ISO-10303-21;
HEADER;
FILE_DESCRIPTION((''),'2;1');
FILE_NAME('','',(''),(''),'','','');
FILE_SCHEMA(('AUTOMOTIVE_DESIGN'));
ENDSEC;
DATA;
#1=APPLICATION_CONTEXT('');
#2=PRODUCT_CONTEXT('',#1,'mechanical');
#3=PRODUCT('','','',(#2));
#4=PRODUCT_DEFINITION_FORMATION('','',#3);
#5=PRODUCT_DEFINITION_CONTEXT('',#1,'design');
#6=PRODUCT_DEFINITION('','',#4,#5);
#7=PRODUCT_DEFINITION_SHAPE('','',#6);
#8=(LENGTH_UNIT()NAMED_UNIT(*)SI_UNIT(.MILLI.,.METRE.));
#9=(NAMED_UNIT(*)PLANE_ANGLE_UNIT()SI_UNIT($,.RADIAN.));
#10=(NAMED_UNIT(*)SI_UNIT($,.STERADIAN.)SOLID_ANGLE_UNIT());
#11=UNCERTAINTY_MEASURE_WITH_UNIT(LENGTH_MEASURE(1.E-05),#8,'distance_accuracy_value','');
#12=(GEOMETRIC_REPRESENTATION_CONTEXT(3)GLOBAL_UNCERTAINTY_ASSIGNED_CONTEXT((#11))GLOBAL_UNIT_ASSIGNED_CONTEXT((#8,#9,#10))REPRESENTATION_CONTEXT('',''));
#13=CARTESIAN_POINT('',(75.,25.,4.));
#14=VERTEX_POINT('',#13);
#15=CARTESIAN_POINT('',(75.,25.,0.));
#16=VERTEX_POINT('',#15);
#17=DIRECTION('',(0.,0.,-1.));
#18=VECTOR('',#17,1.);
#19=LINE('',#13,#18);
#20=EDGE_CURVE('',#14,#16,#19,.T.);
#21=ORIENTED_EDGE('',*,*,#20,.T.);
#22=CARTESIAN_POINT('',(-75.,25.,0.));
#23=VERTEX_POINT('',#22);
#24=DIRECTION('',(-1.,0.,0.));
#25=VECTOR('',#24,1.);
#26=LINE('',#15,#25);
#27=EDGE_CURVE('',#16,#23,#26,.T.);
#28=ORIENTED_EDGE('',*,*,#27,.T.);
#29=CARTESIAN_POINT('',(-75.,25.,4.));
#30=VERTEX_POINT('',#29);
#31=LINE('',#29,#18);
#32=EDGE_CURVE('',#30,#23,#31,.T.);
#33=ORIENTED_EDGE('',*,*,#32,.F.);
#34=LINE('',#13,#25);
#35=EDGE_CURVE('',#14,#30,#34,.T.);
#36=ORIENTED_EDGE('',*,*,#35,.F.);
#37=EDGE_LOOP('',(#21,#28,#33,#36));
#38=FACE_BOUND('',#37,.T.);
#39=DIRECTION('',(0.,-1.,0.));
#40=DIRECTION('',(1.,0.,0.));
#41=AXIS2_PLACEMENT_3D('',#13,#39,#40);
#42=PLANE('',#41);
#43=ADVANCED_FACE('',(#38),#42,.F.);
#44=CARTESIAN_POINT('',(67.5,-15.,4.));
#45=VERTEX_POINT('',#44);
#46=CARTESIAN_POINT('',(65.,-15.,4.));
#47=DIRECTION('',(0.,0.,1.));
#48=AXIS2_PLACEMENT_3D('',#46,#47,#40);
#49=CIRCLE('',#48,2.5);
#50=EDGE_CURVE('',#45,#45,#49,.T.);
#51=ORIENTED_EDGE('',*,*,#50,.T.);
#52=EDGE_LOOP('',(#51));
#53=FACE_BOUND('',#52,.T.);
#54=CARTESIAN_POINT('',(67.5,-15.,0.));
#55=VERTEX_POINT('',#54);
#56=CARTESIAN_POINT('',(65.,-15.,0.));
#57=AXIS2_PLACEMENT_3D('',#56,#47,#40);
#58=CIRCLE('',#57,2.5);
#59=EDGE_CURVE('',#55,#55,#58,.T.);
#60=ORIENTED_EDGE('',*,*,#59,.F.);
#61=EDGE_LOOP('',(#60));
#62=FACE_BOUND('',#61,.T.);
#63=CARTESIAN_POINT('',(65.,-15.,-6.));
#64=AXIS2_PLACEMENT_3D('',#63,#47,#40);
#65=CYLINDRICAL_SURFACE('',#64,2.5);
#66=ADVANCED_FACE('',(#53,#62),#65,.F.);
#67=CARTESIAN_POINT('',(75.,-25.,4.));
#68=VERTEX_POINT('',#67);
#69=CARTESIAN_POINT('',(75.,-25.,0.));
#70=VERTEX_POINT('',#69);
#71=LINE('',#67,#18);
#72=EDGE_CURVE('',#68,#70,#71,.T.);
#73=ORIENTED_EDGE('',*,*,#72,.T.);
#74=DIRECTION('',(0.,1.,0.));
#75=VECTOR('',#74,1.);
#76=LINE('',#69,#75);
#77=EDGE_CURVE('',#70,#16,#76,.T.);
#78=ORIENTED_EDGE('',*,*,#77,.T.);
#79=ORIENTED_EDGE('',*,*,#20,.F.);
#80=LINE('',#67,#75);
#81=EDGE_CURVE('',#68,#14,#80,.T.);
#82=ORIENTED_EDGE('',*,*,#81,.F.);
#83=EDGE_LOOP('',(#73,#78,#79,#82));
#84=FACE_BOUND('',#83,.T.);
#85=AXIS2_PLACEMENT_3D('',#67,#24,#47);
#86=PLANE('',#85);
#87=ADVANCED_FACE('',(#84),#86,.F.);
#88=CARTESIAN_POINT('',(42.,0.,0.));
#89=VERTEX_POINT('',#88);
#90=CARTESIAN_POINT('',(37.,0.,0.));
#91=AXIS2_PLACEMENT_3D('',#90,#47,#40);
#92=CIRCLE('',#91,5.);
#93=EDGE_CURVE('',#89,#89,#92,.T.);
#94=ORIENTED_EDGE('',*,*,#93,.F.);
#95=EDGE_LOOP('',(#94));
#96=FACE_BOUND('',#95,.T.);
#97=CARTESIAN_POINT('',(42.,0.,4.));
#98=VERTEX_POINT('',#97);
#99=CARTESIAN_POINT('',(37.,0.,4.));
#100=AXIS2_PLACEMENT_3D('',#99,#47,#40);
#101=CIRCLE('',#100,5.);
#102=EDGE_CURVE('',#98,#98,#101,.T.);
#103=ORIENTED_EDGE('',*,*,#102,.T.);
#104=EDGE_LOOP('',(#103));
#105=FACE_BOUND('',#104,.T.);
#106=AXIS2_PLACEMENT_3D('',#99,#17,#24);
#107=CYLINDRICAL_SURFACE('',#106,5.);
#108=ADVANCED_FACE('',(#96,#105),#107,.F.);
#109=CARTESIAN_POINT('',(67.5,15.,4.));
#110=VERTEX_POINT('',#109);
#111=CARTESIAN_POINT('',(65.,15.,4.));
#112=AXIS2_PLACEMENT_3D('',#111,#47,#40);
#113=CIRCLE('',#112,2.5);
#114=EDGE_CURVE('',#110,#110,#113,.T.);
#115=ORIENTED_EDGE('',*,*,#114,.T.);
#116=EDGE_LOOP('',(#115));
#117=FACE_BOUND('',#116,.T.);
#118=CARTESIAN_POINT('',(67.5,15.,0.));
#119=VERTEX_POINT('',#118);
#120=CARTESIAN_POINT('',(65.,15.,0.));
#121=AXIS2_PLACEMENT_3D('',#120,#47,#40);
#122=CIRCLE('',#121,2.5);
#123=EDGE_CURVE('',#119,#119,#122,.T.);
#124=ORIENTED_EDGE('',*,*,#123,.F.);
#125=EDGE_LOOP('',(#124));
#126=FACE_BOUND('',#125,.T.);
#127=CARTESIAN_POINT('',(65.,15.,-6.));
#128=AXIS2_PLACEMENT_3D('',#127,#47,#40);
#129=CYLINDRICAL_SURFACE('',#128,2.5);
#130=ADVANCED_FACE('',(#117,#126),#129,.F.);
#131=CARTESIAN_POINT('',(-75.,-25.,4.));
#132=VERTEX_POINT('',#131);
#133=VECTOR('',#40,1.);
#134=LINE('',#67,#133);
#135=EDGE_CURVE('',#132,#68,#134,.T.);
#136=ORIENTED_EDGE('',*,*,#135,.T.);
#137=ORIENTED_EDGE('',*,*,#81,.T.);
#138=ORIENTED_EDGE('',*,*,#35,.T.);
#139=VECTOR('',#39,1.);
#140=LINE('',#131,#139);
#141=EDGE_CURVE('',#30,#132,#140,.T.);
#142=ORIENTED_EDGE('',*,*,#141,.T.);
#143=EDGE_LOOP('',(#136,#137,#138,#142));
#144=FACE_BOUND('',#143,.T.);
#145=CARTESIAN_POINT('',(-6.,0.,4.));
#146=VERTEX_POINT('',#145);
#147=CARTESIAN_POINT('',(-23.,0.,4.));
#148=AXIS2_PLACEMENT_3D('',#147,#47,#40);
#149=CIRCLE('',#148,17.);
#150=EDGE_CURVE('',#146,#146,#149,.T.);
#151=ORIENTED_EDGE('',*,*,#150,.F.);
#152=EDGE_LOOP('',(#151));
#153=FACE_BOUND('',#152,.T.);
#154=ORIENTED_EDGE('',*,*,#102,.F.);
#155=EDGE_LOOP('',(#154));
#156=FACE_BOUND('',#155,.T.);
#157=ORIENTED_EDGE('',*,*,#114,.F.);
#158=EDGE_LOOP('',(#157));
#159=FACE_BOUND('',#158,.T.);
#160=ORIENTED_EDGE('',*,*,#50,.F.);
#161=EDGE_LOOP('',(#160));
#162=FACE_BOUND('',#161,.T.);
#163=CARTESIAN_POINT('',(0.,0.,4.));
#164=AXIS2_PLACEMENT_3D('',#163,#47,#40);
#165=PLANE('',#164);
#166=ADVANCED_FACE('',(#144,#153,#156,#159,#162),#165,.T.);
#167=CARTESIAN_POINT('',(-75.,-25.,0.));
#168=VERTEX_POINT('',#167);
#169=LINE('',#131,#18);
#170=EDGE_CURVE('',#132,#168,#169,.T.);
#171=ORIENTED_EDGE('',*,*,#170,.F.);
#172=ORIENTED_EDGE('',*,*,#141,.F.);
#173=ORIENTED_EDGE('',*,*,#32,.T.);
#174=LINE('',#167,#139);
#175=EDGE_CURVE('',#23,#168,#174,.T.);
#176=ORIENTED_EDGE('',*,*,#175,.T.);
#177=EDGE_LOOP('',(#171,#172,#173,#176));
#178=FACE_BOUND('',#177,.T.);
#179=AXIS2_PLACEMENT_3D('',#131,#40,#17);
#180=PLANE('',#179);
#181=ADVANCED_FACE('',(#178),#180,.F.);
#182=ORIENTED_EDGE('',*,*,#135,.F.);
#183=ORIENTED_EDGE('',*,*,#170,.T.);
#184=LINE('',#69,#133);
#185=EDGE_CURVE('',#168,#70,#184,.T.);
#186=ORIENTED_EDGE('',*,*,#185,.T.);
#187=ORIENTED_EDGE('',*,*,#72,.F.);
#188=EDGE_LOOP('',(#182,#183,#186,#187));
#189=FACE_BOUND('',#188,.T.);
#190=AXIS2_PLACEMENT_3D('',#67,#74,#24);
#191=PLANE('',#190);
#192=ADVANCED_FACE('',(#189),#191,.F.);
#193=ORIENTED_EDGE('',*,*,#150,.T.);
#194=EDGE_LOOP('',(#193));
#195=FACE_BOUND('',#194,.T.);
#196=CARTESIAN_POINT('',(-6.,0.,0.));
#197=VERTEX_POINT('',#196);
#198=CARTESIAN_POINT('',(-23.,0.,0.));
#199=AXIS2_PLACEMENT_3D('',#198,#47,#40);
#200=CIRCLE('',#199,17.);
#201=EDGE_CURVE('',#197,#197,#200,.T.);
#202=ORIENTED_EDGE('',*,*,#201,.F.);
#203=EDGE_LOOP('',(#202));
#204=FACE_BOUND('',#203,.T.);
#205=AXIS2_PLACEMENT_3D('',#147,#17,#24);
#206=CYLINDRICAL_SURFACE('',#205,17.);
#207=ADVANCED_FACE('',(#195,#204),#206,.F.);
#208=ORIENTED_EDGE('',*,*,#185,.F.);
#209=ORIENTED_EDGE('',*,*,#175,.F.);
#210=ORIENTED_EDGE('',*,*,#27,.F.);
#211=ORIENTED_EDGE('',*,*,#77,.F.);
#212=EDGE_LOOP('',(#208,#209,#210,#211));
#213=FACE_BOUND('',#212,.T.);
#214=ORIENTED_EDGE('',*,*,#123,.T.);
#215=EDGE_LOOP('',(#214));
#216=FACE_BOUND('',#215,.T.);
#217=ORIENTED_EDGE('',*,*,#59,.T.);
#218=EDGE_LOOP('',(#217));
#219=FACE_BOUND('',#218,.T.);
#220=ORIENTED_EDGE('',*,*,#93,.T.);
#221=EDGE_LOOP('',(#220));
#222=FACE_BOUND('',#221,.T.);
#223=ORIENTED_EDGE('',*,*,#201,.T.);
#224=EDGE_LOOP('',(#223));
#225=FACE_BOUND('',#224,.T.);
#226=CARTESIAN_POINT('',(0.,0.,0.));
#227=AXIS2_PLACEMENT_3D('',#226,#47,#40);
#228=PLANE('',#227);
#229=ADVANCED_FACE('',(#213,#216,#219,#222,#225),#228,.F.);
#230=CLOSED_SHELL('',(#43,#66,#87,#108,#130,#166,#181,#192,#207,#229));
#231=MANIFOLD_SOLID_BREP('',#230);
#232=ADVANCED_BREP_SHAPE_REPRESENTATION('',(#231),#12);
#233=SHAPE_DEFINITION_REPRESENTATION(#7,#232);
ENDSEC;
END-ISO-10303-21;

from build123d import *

# Parameters (mm, degrees)
SKETCH1_W           = 150
SKETCH1_H           = 50
SKETCH1_R           = 5
SKETCH1_R_2         = 17
BOSS_EXTRUDE2_DEPTH = 4
SKETCH3_R           = 2.5
CUT_EXTRUDE1_DEPTH  = 10


with BuildPart() as part:
    # Sketch1 → Boss-Extrude2 (new body)
    with BuildSketch(Plane.XY):
        Rectangle(SKETCH1_W, SKETCH1_H)
        with Locations((37, 0)):
            Circle(SKETCH1_R, mode=Mode.SUBTRACT)
        with Locations((-23, 0)):
            Circle(SKETCH1_R_2, mode=Mode.SUBTRACT)
    extrude(amount=BOSS_EXTRUDE2_DEPTH)

    # Sketch3 → Cut-Extrude1 (cut)
    with BuildSketch(Plane.XY.offset(4)):
        with Locations((65, 15)):
            Circle(SKETCH3_R)
        with Locations((65, -15)):
            Circle(SKETCH3_R)
    extrude(amount=-CUT_EXTRUDE1_DEPTH, mode=Mode.SUBTRACT)


solid = part.part
